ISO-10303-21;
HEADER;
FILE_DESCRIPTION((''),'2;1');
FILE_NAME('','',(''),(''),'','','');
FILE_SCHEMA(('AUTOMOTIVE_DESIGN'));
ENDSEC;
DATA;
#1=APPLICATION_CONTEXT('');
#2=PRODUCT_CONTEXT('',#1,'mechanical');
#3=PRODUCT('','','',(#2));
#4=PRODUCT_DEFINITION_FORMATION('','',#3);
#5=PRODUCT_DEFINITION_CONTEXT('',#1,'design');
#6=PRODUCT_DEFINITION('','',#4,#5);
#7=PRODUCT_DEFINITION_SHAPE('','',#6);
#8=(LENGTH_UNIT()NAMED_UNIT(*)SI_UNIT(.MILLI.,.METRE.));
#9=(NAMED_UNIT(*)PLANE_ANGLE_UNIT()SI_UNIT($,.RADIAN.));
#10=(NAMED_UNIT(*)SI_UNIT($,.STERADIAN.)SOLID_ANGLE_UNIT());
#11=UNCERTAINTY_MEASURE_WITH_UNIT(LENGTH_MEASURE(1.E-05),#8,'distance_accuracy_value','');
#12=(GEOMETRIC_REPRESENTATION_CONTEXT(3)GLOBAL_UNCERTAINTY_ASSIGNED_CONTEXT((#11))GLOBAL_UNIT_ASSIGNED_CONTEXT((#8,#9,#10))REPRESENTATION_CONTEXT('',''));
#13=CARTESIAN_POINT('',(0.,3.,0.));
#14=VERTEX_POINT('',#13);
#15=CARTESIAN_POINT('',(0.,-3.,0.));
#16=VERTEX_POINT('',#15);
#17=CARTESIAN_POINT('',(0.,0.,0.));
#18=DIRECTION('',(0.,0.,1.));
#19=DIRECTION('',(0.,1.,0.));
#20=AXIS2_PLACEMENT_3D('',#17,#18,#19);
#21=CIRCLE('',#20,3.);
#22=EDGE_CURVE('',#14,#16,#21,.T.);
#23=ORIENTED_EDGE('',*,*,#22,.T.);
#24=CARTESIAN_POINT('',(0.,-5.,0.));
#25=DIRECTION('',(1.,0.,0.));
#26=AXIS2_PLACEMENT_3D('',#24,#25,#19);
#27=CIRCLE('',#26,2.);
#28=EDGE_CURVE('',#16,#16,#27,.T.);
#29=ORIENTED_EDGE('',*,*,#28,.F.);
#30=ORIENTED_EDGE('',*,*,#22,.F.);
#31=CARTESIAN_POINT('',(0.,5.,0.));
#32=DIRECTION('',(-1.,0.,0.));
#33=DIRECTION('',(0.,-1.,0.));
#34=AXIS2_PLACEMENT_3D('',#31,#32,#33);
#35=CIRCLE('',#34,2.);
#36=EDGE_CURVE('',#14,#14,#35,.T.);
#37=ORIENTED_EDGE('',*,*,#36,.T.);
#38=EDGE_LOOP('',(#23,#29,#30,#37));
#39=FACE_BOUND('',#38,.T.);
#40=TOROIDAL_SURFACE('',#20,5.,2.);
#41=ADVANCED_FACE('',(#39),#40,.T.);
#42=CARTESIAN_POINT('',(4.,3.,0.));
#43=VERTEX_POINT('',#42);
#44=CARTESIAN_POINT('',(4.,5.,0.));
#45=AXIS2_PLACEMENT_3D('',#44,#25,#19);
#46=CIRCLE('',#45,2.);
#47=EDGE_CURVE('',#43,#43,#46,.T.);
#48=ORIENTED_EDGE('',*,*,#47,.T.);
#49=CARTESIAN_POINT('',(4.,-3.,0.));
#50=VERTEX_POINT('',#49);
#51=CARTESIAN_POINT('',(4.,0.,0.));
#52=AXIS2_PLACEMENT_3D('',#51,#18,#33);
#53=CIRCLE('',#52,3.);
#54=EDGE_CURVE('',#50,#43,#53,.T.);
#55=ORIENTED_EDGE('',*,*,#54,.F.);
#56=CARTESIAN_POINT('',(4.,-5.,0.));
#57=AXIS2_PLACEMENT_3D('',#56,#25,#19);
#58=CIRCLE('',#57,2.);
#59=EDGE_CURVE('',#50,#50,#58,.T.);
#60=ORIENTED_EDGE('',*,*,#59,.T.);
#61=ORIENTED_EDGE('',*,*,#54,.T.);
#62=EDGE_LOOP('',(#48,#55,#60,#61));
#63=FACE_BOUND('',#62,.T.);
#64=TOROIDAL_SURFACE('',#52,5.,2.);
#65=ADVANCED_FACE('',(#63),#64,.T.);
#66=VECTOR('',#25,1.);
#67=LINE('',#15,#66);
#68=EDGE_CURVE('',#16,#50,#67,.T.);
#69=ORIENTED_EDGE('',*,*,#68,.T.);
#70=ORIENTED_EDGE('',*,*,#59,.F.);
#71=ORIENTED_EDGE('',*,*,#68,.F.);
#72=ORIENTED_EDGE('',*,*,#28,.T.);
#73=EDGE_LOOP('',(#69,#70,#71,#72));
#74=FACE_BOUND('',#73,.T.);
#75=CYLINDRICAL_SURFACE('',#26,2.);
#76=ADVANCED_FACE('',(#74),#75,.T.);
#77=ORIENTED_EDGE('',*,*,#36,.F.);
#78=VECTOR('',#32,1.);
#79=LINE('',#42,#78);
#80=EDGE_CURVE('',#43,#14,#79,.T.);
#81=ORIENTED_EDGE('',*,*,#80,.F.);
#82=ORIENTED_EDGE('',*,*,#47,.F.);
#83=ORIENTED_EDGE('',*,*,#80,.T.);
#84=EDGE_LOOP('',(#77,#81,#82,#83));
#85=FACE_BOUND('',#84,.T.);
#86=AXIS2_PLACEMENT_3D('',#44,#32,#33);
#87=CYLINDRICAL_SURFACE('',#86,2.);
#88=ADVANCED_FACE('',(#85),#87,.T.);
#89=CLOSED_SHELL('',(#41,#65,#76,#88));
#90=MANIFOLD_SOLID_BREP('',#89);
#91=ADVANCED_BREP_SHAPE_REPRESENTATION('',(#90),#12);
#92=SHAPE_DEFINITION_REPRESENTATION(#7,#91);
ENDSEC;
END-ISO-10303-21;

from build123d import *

# Parameters (mm, degrees)
F1_R = 2


with BuildPart() as f2:
    # F2: sweep along a path in F0
    with BuildLine(Plane.XY) as f2_path:
        Line((0, -5), (4, -5))
        ThreePointArc((4, -5), (9, 0), (4, 5))
        Line((4, 5), (0, 5))
        ThreePointArc((0, 5), (-5, 0), (0, -5))
    # F1 (on Right) → F2 (sweep)
    with BuildSketch(Plane.YZ):
        with Locations((-5, 0)):
            Circle(F1_R)
    sweep(path=f2_path.line)


solid = f2.part
